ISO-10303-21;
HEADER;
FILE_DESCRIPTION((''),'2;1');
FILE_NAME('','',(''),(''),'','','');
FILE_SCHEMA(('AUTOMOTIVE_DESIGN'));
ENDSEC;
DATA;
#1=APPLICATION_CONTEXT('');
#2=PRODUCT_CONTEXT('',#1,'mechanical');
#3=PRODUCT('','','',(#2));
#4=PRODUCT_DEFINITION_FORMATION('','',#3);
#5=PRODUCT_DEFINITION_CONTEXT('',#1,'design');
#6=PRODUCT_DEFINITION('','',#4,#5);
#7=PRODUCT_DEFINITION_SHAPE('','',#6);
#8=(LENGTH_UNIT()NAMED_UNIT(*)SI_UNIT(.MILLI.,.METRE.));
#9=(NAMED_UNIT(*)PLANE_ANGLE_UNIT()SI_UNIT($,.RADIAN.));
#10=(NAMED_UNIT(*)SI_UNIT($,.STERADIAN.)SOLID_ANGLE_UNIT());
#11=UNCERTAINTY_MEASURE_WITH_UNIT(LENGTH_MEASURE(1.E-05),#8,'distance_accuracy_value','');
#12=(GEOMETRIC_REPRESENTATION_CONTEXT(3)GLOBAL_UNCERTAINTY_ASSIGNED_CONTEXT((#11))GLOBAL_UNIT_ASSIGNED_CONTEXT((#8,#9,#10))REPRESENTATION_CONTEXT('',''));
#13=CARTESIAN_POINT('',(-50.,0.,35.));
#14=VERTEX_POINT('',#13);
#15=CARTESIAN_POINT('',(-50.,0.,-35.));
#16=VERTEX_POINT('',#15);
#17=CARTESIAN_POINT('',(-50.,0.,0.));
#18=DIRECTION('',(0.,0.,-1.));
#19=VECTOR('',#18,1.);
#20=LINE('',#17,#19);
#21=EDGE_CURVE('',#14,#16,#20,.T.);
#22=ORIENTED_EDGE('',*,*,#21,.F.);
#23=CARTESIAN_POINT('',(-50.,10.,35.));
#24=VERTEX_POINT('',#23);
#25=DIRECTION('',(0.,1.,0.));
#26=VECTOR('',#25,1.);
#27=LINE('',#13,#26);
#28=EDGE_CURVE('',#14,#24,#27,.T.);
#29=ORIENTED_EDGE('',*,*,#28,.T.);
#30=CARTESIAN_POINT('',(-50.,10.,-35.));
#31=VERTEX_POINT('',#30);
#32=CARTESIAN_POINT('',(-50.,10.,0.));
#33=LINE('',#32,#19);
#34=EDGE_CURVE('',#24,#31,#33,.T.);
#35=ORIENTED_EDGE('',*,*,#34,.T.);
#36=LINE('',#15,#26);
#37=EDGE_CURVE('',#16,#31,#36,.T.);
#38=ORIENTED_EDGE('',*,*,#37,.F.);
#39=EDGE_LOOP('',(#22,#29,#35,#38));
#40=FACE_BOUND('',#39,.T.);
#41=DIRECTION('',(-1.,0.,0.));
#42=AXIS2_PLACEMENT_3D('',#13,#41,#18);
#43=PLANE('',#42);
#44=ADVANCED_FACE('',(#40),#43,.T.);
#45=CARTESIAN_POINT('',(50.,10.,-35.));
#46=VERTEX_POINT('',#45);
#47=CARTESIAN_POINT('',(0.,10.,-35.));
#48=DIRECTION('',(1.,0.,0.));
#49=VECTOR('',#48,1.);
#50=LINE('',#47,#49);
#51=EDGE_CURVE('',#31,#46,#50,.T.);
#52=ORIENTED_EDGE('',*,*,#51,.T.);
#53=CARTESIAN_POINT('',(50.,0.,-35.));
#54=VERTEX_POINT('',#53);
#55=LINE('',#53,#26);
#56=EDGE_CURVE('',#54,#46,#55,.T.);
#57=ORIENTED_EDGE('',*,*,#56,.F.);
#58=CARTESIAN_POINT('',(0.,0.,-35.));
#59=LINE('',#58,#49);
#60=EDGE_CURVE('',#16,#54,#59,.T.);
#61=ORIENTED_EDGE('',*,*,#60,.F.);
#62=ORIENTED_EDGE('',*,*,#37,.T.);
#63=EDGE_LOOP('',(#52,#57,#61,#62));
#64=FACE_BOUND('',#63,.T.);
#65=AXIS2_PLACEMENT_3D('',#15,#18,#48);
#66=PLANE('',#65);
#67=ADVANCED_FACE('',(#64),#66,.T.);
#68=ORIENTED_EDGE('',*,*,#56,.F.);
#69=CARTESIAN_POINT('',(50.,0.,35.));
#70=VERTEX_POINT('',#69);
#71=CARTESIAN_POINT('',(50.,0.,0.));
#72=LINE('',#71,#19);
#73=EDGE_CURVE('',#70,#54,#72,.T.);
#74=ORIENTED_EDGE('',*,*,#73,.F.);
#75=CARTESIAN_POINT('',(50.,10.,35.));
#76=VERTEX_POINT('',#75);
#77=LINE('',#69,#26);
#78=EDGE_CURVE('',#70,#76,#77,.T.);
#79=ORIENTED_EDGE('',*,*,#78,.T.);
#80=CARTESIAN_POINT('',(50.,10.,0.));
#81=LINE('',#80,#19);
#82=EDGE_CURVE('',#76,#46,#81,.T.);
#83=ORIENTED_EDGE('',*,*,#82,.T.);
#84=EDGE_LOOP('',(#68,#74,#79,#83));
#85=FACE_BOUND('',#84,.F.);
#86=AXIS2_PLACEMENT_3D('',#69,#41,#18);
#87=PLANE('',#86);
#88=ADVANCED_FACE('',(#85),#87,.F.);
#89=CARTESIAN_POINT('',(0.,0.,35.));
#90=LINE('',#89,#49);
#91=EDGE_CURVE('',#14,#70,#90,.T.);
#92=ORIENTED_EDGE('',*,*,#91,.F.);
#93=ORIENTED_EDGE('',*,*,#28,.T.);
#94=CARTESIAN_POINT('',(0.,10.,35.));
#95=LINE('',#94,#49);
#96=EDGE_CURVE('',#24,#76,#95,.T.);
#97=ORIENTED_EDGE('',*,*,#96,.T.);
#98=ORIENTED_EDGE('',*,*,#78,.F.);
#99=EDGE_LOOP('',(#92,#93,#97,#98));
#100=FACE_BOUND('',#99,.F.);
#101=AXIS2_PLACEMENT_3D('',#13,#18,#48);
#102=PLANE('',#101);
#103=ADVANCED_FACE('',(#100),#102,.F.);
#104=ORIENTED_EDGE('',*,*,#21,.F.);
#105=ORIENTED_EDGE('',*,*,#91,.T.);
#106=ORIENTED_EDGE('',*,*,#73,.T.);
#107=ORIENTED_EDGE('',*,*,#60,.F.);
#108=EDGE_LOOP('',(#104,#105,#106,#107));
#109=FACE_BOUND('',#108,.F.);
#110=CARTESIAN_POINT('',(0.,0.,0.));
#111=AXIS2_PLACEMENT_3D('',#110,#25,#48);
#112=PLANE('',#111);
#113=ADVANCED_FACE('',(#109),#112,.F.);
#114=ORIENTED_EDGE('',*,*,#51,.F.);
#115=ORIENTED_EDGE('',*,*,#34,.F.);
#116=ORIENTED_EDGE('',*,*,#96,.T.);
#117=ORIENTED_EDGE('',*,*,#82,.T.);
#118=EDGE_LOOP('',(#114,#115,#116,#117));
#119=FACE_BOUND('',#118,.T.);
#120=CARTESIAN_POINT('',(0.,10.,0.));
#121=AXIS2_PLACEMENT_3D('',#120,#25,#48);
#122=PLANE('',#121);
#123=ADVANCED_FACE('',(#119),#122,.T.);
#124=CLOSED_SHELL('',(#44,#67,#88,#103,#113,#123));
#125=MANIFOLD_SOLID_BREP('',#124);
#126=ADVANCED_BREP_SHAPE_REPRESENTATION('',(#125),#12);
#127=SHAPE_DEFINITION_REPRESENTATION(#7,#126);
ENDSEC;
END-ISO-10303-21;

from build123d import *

# Parameters (mm, degrees)
SKETCH_1_W      = 100
SKETCH_1_H      = 70
EXTRUDE_1_DEPTH = 10


with BuildPart() as part:
    # Эскиз1 → Бобышка-Вытянуть1 (new body)
    with BuildSketch(Plane(origin=(0, 0, 0), x_dir=(1, 0, 0), z_dir=(0, 1, 0))):
        Rectangle(SKETCH_1_W, SKETCH_1_H)
    extrude(amount=EXTRUDE_1_DEPTH)


solid = part.part
